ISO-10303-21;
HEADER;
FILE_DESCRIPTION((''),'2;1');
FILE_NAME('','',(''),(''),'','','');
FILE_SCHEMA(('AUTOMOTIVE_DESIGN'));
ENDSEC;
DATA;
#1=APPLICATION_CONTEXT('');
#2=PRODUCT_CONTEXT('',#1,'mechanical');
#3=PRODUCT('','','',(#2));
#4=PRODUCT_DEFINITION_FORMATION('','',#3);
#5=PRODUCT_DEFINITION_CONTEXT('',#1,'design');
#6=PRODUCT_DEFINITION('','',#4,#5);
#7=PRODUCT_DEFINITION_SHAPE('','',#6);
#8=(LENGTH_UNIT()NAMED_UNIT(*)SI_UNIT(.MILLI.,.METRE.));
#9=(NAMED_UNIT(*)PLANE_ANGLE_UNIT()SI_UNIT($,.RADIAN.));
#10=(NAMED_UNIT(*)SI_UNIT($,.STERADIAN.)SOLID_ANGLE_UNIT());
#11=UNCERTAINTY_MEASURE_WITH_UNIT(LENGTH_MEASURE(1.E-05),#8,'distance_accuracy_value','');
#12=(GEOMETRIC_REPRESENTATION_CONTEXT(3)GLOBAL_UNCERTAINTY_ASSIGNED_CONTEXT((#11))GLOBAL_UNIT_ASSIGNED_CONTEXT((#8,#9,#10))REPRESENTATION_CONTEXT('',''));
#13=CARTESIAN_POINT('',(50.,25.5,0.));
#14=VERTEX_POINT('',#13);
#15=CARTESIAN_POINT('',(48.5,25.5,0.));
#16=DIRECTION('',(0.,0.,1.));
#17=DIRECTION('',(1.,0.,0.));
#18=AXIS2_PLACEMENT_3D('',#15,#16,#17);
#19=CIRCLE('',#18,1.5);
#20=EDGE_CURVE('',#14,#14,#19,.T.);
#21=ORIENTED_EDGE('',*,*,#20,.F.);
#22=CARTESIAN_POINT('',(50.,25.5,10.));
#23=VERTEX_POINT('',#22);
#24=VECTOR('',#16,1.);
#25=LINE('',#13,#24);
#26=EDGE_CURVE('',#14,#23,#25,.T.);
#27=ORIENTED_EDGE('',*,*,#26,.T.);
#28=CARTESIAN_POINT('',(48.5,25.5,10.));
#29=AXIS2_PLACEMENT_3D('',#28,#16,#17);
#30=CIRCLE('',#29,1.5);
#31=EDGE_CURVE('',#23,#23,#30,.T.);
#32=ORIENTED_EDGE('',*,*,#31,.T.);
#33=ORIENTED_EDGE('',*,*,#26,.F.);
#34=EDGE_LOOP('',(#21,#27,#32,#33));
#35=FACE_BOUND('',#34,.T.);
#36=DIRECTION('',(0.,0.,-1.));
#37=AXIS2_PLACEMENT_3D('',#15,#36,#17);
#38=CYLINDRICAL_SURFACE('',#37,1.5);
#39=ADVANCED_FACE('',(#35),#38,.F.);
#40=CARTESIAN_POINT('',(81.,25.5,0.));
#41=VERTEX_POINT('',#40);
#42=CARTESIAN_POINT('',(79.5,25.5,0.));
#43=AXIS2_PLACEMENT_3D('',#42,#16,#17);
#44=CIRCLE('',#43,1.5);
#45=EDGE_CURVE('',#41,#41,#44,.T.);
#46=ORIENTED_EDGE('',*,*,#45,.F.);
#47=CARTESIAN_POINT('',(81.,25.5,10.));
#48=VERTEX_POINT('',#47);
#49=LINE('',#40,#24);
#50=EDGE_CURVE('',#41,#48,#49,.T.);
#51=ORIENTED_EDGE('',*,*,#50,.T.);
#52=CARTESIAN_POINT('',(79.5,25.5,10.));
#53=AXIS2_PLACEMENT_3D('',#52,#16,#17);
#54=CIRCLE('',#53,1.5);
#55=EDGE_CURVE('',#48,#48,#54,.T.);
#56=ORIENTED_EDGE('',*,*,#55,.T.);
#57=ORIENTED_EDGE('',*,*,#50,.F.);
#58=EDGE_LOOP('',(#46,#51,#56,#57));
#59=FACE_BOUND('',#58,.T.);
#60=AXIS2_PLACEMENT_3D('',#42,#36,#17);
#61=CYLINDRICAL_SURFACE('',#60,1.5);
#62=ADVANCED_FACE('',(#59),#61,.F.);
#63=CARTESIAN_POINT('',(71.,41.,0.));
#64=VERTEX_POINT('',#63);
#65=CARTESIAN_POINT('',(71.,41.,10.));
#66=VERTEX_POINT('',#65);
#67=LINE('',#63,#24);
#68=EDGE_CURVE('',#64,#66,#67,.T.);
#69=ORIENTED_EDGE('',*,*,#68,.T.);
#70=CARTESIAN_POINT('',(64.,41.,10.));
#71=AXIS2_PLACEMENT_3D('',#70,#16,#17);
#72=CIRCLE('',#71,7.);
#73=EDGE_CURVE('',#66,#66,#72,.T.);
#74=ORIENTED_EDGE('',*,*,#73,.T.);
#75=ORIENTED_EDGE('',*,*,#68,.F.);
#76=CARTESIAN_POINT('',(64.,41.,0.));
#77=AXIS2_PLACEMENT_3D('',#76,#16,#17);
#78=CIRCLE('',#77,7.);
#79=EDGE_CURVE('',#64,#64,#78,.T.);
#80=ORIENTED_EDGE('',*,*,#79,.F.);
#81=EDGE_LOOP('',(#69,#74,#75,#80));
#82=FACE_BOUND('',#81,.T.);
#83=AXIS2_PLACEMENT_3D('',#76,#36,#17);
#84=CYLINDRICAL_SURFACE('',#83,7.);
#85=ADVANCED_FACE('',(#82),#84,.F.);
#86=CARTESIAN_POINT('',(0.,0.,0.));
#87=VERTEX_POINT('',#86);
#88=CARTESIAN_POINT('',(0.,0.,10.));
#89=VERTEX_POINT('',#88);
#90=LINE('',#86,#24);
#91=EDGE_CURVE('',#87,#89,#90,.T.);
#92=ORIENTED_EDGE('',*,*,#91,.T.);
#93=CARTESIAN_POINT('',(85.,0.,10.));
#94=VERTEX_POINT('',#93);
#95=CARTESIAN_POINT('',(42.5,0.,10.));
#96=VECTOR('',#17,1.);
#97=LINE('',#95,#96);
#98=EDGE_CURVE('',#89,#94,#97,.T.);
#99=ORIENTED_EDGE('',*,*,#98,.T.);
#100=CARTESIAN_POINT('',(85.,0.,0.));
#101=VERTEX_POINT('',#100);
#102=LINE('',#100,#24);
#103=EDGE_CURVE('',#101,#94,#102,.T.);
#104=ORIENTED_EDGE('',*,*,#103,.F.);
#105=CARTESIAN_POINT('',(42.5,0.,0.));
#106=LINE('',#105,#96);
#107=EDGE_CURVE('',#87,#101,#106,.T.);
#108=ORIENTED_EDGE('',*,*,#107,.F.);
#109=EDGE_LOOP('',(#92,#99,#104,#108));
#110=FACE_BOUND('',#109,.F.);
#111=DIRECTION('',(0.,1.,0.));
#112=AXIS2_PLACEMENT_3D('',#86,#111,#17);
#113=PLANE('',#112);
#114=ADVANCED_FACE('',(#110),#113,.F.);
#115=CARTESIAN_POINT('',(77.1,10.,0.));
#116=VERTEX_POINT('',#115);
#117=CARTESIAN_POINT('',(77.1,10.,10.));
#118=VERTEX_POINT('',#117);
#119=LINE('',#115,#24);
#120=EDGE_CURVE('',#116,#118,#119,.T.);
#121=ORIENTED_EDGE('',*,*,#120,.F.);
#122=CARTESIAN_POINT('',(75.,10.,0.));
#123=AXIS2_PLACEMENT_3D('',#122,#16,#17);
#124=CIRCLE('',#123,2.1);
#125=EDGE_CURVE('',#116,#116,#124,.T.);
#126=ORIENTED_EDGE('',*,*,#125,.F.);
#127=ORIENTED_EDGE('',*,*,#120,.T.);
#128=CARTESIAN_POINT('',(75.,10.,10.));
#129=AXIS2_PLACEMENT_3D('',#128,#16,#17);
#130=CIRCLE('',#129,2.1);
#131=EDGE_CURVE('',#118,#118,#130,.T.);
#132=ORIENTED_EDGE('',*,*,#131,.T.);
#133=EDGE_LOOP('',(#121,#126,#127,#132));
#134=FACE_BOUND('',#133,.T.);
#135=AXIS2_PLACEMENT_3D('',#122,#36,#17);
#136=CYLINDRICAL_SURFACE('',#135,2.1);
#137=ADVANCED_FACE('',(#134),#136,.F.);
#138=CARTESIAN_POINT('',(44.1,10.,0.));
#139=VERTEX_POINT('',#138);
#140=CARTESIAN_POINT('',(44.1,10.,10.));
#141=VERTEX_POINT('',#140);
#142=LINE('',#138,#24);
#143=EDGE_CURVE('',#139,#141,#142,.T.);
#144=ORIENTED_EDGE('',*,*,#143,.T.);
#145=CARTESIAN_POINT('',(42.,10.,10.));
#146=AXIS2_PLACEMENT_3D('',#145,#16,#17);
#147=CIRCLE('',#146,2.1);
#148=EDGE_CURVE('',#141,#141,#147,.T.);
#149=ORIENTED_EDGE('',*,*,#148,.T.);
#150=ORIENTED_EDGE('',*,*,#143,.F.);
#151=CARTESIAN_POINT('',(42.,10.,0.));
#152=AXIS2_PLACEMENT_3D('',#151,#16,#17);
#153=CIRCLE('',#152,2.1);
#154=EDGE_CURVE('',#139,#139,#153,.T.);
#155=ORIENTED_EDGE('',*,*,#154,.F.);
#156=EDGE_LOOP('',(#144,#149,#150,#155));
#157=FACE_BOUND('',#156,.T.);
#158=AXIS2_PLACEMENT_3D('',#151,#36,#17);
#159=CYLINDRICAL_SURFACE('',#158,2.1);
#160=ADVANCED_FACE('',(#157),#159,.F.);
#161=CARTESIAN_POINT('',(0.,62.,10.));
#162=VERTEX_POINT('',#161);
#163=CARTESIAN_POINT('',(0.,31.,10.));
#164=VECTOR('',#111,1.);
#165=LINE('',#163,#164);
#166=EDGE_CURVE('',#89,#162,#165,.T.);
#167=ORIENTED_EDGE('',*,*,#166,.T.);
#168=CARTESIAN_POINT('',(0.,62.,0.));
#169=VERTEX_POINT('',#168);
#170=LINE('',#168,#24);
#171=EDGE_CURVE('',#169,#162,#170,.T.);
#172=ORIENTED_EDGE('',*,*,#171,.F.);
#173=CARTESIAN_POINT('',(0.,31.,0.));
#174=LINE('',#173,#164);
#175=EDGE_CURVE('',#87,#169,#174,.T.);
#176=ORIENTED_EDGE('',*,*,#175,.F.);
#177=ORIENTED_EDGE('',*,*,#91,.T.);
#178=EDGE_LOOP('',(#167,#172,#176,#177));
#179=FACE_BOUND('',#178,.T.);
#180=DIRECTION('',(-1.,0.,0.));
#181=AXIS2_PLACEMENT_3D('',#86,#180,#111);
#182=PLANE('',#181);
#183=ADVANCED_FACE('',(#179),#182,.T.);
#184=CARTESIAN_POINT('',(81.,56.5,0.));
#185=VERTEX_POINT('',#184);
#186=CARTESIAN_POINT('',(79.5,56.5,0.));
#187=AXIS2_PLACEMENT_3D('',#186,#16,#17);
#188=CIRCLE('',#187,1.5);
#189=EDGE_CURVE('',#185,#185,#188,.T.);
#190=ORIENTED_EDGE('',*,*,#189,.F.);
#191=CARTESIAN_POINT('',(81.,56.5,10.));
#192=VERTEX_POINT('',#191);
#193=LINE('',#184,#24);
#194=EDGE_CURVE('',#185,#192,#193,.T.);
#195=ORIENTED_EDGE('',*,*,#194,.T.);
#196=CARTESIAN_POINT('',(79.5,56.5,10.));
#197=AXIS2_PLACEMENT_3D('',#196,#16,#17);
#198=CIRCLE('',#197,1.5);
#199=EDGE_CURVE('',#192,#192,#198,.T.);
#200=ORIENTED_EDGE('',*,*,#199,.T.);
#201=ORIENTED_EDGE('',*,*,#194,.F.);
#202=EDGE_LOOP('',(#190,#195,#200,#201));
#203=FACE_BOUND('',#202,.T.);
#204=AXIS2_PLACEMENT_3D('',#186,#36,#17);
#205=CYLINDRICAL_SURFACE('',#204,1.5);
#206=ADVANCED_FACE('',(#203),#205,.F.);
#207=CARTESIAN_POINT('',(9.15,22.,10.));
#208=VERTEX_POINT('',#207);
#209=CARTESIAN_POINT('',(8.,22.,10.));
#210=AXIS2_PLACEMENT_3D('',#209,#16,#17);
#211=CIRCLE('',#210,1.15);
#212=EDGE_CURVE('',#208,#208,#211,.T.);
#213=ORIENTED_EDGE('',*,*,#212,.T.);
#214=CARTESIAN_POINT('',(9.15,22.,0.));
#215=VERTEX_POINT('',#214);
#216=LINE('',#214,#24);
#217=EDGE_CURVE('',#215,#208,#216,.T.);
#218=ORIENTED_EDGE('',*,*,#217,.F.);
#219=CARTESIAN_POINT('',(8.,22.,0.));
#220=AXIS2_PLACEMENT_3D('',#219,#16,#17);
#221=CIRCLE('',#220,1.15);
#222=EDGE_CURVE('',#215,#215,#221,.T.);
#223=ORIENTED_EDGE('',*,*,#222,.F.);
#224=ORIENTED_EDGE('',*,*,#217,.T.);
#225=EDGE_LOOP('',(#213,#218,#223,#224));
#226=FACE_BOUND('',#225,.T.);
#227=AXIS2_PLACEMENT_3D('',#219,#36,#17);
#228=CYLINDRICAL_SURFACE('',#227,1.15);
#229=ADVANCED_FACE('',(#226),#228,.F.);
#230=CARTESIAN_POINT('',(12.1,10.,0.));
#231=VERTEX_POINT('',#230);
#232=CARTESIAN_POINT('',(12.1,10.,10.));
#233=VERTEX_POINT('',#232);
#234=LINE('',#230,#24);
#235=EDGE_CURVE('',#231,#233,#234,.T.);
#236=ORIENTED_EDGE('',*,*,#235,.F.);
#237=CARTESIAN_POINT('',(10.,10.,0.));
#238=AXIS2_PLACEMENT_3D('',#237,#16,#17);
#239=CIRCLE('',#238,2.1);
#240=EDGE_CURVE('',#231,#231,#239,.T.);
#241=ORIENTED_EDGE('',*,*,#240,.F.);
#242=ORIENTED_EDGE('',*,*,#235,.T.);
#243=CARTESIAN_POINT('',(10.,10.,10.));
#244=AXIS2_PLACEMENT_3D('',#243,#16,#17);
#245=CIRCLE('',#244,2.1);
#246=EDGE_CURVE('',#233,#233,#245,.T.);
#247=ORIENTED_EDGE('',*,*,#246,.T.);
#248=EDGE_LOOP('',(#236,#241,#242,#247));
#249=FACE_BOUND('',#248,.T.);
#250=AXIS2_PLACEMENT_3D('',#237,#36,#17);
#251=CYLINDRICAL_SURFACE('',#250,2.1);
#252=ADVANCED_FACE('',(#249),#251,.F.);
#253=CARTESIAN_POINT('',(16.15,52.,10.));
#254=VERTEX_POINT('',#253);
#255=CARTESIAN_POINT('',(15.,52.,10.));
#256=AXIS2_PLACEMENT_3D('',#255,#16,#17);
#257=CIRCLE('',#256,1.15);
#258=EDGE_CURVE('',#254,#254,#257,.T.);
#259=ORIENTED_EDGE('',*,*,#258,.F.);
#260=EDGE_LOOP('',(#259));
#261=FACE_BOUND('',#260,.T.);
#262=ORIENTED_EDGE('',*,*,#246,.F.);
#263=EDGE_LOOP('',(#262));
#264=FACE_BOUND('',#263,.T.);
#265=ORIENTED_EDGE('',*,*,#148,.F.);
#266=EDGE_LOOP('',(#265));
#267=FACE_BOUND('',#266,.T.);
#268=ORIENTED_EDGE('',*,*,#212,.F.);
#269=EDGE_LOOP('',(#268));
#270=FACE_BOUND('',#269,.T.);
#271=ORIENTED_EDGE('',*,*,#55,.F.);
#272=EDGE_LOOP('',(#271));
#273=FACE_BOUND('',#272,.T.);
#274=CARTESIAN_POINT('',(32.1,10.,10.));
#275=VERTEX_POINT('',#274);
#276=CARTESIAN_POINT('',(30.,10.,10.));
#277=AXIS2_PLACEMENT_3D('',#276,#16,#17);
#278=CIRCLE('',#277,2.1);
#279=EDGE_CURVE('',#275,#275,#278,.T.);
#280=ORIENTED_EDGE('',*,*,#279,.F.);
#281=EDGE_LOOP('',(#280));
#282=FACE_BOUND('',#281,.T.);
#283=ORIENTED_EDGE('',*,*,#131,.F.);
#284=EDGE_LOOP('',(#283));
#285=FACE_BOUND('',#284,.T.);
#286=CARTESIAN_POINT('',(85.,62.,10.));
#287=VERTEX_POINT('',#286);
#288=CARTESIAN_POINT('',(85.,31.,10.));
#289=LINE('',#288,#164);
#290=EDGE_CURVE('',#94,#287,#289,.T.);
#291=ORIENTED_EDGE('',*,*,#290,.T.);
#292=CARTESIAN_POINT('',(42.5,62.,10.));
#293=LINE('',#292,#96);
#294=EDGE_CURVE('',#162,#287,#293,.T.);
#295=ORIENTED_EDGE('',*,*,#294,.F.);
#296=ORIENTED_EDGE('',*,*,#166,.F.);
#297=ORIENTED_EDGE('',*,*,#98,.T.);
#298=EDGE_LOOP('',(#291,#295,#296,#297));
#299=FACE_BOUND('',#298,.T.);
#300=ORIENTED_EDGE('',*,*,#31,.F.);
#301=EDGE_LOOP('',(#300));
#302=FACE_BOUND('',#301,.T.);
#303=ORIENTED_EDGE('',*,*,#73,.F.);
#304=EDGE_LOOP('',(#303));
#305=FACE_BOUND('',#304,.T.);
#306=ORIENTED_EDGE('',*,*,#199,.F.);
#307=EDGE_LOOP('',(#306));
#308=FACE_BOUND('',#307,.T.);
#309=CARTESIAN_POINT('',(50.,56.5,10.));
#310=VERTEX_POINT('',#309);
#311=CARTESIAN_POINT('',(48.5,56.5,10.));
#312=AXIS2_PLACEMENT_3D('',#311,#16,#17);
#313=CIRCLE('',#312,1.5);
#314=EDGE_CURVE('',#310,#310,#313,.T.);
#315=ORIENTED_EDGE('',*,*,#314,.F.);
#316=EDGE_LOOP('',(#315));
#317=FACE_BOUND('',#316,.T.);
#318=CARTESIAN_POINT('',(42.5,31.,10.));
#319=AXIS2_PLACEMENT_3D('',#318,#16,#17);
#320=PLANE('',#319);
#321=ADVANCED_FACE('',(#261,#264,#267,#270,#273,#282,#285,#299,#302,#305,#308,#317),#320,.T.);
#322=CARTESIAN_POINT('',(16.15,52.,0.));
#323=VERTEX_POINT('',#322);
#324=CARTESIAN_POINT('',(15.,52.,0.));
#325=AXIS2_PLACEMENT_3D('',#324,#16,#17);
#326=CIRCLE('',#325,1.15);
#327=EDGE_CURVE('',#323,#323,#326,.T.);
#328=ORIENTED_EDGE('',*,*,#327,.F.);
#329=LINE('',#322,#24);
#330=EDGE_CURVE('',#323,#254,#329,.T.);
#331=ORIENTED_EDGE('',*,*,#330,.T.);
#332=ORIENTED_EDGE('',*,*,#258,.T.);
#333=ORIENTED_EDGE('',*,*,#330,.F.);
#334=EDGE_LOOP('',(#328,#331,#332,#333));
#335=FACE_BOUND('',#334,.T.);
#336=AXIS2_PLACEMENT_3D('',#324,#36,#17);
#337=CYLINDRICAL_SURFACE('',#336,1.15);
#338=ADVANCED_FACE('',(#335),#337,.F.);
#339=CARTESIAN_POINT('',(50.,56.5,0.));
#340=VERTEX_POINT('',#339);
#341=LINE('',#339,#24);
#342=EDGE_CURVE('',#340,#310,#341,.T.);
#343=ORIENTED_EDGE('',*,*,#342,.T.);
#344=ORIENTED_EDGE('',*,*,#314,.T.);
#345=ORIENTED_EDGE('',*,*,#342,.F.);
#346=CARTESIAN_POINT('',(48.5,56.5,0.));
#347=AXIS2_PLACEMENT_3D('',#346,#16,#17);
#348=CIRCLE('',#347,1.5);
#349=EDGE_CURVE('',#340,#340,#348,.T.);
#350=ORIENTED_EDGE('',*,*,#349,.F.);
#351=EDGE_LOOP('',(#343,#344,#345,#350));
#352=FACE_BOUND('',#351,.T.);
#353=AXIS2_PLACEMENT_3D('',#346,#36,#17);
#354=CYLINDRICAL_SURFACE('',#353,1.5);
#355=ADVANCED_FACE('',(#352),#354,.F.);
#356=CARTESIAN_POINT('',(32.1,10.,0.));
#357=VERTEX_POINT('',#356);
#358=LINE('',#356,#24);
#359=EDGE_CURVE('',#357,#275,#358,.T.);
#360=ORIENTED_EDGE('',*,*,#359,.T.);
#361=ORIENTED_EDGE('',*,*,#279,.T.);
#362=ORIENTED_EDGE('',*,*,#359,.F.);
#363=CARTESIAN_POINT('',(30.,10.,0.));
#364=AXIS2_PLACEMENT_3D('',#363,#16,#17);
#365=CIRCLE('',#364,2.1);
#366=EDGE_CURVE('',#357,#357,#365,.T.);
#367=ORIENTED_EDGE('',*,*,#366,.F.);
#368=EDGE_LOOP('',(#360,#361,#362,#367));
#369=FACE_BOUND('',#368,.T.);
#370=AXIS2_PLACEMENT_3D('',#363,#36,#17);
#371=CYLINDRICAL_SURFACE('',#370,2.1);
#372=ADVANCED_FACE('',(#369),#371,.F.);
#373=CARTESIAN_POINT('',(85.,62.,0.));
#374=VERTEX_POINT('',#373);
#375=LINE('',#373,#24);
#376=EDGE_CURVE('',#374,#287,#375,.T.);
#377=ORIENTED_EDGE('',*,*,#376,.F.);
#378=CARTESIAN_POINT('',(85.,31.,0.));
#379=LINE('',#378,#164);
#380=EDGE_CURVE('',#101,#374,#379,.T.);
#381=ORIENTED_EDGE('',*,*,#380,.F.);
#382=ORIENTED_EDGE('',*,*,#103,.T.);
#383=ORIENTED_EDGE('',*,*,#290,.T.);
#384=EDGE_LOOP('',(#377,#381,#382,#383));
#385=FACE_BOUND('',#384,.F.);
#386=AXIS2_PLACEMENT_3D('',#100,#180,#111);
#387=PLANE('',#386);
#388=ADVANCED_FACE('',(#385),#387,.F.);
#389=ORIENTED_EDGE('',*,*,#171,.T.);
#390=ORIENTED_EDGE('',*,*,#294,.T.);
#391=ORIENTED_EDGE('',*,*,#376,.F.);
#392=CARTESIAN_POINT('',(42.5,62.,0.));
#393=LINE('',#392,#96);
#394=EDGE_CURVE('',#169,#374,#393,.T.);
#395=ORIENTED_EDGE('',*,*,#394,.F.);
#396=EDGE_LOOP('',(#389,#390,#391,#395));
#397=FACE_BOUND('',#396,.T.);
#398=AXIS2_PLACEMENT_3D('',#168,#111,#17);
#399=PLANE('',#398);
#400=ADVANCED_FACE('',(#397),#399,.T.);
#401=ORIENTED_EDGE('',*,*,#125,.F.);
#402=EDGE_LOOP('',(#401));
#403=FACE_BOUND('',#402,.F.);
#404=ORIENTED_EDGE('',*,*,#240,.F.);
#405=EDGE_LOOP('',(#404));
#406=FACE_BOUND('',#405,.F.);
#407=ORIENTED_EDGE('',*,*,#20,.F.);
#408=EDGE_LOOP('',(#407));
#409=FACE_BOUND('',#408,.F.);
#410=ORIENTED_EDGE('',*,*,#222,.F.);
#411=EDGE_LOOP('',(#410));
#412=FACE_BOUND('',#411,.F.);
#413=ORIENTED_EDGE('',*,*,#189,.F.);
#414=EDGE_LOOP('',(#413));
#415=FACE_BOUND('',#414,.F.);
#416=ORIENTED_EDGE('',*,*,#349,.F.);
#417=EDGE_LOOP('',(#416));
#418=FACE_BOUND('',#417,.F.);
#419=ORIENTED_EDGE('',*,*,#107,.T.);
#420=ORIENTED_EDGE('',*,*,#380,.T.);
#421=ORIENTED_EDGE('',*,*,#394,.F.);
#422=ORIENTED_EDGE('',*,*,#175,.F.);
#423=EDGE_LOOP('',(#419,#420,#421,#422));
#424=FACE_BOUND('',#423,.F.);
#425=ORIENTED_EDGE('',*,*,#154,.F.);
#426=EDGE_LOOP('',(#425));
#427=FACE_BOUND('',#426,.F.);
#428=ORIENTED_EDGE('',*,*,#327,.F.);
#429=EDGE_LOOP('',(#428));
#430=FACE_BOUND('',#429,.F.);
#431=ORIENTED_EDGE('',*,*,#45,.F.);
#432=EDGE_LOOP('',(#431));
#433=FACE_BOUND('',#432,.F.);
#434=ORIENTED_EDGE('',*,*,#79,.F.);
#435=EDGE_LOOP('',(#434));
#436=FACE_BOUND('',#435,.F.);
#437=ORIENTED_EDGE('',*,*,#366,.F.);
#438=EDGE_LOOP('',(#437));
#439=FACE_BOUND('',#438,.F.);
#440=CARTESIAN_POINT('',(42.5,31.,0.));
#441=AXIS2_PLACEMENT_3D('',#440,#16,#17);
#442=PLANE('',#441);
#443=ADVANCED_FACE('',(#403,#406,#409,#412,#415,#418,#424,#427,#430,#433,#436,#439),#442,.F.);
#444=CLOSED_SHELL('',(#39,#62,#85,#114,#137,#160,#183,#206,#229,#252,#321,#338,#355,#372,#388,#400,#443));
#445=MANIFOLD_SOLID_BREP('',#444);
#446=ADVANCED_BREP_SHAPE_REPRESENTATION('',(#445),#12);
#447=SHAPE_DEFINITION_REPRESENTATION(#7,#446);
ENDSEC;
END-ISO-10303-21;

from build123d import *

# Parameters (mm, degrees)
SKETCH1_W           = 85
SKETCH1_H           = 62
SKETCH1_R           = 1.15
SKETCH1_R_2         = 2.1
SKETCH1_R_3         = 7
SKETCH1_R_4         = 1.5
BOSS_EXTRUDE1_DEPTH = 10


with BuildPart() as part:
    # Sketch1 → Boss-Extrude1 (new body)
    with BuildSketch(Plane.XY):
        with Locations((42.5, 31)):
            Rectangle(SKETCH1_W, SKETCH1_H)
        with Locations((8, 22)):
            Circle(SKETCH1_R, mode=Mode.SUBTRACT)
        with Locations((15, 52)):
            Circle(SKETCH1_R, mode=Mode.SUBTRACT)
        with Locations((10, 10)):
            Circle(SKETCH1_R_2, mode=Mode.SUBTRACT)
        with Locations((30, 10)):
            Circle(SKETCH1_R_2, mode=Mode.SUBTRACT)
        with Locations((42, 10)):
            Circle(SKETCH1_R_2, mode=Mode.SUBTRACT)
        with Locations((75, 10)):
            Circle(SKETCH1_R_2, mode=Mode.SUBTRACT)
        with Locations((64, 41)):
            Circle(SKETCH1_R_3, mode=Mode.SUBTRACT)
        with Locations((48.5, 56.5)):
            Circle(SKETCH1_R_4, mode=Mode.SUBTRACT)
        with Locations((79.5, 56.5)):
            Circle(SKETCH1_R_4, mode=Mode.SUBTRACT)
        with Locations((79.5, 25.5)):
            Circle(SKETCH1_R_4, mode=Mode.SUBTRACT)
        with Locations((48.5, 25.5)):
            Circle(SKETCH1_R_4, mode=Mode.SUBTRACT)
    extrude(amount=BOSS_EXTRUDE1_DEPTH)


solid = part.part
